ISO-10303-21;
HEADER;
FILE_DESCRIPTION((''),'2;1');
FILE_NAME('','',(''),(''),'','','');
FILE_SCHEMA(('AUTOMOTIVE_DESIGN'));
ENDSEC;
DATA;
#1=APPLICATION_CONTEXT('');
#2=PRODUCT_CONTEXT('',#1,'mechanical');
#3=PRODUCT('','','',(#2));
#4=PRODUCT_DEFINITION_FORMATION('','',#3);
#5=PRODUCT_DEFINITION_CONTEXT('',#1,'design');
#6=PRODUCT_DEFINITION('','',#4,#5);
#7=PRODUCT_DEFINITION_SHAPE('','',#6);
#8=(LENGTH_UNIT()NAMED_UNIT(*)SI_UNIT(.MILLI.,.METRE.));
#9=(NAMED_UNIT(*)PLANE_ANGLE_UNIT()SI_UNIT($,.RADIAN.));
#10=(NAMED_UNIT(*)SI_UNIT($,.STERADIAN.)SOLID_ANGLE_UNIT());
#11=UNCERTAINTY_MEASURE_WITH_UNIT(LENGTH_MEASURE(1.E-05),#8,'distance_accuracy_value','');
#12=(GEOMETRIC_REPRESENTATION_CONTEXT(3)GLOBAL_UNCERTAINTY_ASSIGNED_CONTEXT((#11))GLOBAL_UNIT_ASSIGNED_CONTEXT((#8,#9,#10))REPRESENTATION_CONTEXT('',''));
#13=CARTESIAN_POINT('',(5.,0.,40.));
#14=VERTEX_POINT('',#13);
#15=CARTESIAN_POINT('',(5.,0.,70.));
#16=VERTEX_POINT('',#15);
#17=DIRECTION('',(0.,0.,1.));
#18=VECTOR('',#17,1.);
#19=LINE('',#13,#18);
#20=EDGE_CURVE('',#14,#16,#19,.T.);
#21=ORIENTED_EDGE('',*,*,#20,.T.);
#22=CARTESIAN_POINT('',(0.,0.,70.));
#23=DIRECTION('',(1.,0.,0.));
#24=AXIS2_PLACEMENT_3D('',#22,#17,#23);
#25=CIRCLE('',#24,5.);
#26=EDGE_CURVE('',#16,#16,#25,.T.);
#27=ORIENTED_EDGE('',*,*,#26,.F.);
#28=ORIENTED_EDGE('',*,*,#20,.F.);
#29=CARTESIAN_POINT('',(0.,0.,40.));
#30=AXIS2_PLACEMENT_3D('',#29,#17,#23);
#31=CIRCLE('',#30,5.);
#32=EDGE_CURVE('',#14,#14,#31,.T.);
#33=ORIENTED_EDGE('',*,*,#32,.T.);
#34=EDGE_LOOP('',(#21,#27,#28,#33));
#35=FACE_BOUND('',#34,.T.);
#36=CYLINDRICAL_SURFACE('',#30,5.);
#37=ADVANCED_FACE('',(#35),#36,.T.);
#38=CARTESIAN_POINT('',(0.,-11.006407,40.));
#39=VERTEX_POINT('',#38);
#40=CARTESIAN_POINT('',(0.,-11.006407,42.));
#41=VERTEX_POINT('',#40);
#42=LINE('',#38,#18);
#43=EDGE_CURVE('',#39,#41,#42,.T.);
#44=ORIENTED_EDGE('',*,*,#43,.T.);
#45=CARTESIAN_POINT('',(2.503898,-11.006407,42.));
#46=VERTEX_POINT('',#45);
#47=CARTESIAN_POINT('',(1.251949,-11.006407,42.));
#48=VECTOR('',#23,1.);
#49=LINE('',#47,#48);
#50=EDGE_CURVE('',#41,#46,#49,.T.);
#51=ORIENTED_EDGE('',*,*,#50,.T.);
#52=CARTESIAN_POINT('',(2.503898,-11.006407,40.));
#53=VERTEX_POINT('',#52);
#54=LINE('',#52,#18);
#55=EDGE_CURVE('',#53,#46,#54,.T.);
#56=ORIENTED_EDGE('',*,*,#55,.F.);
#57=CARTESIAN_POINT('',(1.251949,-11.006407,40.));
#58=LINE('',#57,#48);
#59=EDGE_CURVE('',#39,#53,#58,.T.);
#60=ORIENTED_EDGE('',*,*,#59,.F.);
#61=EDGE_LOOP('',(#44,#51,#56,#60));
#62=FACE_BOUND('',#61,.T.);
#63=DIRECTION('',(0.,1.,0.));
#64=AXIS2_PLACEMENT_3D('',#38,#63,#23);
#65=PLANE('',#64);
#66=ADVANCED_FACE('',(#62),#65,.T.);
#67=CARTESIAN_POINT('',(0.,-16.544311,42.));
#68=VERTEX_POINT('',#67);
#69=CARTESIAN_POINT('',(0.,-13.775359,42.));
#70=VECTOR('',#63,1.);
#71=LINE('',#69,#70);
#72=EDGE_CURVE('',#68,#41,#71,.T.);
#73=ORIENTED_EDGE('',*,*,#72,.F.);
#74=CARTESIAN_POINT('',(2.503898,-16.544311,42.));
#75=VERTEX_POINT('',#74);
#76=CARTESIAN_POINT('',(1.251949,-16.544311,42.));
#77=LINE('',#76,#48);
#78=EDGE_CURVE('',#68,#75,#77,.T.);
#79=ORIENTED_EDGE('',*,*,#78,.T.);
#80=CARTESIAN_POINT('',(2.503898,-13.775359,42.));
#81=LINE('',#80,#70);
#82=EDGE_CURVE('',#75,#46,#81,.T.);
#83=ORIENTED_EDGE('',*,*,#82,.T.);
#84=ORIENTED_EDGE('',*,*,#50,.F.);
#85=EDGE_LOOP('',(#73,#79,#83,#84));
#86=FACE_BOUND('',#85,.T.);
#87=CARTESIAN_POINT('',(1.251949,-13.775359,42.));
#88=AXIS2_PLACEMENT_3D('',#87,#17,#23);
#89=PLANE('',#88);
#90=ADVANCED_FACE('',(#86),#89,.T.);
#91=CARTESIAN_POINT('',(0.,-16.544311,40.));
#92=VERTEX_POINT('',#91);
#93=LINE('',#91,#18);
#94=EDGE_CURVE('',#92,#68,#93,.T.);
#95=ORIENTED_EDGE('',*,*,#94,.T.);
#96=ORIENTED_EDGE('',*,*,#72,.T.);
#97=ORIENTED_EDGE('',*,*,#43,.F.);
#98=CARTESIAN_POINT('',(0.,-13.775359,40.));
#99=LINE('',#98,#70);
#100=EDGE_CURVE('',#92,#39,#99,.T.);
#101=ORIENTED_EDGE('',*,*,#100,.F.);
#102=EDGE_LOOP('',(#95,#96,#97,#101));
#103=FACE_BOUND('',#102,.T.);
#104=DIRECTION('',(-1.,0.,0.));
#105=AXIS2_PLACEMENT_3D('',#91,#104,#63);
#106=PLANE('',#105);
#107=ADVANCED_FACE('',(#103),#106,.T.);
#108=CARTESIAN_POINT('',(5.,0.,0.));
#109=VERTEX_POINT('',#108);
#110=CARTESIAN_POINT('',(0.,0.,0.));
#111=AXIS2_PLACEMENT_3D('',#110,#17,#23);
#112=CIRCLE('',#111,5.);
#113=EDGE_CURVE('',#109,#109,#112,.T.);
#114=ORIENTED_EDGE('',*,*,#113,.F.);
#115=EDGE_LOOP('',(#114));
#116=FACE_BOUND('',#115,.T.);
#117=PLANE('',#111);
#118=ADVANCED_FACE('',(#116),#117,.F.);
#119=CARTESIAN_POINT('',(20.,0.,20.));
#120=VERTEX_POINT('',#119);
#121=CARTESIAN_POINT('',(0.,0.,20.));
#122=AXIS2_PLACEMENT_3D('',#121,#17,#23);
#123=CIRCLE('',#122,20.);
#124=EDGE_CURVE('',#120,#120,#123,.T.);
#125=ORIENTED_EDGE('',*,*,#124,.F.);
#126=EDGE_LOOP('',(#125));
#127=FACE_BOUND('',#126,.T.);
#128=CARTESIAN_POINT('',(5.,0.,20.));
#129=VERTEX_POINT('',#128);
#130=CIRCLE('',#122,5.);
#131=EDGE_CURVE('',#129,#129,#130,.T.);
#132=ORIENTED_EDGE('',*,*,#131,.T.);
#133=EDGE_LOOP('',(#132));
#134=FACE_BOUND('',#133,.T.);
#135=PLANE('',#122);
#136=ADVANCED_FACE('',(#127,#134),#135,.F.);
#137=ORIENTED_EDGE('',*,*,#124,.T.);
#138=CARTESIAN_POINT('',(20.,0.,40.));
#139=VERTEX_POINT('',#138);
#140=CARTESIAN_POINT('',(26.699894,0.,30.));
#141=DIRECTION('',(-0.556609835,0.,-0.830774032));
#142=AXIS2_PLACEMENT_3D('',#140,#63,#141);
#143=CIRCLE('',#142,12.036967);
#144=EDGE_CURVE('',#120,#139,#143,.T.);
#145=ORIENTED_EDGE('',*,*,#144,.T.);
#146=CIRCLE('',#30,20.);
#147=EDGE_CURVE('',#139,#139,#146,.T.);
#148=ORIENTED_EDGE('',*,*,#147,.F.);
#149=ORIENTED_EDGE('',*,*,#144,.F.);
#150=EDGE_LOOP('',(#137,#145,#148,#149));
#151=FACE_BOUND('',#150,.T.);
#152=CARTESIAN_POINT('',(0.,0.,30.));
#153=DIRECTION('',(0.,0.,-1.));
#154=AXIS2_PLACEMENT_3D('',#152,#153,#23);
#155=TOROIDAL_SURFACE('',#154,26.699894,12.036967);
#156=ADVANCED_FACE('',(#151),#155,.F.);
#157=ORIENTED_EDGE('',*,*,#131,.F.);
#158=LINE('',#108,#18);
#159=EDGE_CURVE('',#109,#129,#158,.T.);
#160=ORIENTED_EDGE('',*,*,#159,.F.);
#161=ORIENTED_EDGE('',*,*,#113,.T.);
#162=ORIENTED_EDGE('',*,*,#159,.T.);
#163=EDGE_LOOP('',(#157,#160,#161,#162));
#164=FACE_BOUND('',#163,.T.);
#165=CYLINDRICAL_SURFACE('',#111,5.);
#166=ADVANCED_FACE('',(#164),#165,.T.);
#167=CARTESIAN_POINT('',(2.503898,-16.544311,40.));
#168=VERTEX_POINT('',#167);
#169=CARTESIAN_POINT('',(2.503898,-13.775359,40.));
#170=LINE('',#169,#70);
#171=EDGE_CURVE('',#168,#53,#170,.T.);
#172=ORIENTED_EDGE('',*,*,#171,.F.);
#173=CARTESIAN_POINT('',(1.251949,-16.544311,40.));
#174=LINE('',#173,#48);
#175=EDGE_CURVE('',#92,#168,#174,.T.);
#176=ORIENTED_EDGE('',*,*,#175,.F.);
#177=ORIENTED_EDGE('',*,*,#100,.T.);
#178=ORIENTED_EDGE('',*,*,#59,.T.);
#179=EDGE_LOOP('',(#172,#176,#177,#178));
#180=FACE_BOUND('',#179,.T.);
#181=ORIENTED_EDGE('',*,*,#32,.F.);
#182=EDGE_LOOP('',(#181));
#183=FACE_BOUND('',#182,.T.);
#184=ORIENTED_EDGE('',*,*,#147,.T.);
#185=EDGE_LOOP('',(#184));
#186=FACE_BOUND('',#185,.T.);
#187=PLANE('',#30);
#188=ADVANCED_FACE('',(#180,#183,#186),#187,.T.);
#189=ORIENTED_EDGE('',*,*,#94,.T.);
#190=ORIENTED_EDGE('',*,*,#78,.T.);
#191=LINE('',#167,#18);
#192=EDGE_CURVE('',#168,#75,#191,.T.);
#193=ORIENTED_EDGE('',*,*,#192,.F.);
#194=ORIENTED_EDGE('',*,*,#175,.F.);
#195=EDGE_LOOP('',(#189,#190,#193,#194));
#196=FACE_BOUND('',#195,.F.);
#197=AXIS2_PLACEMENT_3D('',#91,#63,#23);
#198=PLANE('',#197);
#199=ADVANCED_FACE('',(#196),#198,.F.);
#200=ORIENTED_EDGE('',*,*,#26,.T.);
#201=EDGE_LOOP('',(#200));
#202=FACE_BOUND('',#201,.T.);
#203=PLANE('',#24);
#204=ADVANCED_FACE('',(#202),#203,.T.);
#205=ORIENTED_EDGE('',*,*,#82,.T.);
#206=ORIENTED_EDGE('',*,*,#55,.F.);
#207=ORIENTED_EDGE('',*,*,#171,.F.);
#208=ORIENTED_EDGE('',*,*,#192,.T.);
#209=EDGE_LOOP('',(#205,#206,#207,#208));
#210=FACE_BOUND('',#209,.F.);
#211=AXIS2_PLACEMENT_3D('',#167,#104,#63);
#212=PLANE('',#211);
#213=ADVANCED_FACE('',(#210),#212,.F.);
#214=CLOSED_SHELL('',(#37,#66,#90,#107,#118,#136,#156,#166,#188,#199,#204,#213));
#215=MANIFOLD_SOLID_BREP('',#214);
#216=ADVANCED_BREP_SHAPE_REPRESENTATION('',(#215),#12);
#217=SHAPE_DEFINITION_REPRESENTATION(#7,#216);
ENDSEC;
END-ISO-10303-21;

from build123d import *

# Parameters (mm, degrees)
F2_W     = 2.503898
F2_H     = 5.537905
F3_DEPTH = 2


with BuildPart() as f1:
    # F0 (on Front) → F1 (revolve)
    with BuildSketch(Plane.XZ):
        with BuildLine():
            Line((0, 70), (0, 0))
            Line((0, 0), (5, 0))
            Line((5, 0), (5, 20))
            Line((5, 20), (20, 20))
            ThreePointArc((20, 20), (14.662927, 30), (20, 40))
            Line((20, 40), (5, 40))
            Line((5, 40), (5, 70))
            Line((5, 70), (0, 70))
        make_face()
    revolve(axis=Axis((0, 0, 35), (0, 0, 1)))

    # F2 (on face) → F3 (join)
    with BuildSketch(Plane.XY.offset(40)):
        with Locations((1.251949, -13.775359)):
            Rectangle(F2_W, F2_H)
    extrude(amount=F3_DEPTH)


solid = f1.part
